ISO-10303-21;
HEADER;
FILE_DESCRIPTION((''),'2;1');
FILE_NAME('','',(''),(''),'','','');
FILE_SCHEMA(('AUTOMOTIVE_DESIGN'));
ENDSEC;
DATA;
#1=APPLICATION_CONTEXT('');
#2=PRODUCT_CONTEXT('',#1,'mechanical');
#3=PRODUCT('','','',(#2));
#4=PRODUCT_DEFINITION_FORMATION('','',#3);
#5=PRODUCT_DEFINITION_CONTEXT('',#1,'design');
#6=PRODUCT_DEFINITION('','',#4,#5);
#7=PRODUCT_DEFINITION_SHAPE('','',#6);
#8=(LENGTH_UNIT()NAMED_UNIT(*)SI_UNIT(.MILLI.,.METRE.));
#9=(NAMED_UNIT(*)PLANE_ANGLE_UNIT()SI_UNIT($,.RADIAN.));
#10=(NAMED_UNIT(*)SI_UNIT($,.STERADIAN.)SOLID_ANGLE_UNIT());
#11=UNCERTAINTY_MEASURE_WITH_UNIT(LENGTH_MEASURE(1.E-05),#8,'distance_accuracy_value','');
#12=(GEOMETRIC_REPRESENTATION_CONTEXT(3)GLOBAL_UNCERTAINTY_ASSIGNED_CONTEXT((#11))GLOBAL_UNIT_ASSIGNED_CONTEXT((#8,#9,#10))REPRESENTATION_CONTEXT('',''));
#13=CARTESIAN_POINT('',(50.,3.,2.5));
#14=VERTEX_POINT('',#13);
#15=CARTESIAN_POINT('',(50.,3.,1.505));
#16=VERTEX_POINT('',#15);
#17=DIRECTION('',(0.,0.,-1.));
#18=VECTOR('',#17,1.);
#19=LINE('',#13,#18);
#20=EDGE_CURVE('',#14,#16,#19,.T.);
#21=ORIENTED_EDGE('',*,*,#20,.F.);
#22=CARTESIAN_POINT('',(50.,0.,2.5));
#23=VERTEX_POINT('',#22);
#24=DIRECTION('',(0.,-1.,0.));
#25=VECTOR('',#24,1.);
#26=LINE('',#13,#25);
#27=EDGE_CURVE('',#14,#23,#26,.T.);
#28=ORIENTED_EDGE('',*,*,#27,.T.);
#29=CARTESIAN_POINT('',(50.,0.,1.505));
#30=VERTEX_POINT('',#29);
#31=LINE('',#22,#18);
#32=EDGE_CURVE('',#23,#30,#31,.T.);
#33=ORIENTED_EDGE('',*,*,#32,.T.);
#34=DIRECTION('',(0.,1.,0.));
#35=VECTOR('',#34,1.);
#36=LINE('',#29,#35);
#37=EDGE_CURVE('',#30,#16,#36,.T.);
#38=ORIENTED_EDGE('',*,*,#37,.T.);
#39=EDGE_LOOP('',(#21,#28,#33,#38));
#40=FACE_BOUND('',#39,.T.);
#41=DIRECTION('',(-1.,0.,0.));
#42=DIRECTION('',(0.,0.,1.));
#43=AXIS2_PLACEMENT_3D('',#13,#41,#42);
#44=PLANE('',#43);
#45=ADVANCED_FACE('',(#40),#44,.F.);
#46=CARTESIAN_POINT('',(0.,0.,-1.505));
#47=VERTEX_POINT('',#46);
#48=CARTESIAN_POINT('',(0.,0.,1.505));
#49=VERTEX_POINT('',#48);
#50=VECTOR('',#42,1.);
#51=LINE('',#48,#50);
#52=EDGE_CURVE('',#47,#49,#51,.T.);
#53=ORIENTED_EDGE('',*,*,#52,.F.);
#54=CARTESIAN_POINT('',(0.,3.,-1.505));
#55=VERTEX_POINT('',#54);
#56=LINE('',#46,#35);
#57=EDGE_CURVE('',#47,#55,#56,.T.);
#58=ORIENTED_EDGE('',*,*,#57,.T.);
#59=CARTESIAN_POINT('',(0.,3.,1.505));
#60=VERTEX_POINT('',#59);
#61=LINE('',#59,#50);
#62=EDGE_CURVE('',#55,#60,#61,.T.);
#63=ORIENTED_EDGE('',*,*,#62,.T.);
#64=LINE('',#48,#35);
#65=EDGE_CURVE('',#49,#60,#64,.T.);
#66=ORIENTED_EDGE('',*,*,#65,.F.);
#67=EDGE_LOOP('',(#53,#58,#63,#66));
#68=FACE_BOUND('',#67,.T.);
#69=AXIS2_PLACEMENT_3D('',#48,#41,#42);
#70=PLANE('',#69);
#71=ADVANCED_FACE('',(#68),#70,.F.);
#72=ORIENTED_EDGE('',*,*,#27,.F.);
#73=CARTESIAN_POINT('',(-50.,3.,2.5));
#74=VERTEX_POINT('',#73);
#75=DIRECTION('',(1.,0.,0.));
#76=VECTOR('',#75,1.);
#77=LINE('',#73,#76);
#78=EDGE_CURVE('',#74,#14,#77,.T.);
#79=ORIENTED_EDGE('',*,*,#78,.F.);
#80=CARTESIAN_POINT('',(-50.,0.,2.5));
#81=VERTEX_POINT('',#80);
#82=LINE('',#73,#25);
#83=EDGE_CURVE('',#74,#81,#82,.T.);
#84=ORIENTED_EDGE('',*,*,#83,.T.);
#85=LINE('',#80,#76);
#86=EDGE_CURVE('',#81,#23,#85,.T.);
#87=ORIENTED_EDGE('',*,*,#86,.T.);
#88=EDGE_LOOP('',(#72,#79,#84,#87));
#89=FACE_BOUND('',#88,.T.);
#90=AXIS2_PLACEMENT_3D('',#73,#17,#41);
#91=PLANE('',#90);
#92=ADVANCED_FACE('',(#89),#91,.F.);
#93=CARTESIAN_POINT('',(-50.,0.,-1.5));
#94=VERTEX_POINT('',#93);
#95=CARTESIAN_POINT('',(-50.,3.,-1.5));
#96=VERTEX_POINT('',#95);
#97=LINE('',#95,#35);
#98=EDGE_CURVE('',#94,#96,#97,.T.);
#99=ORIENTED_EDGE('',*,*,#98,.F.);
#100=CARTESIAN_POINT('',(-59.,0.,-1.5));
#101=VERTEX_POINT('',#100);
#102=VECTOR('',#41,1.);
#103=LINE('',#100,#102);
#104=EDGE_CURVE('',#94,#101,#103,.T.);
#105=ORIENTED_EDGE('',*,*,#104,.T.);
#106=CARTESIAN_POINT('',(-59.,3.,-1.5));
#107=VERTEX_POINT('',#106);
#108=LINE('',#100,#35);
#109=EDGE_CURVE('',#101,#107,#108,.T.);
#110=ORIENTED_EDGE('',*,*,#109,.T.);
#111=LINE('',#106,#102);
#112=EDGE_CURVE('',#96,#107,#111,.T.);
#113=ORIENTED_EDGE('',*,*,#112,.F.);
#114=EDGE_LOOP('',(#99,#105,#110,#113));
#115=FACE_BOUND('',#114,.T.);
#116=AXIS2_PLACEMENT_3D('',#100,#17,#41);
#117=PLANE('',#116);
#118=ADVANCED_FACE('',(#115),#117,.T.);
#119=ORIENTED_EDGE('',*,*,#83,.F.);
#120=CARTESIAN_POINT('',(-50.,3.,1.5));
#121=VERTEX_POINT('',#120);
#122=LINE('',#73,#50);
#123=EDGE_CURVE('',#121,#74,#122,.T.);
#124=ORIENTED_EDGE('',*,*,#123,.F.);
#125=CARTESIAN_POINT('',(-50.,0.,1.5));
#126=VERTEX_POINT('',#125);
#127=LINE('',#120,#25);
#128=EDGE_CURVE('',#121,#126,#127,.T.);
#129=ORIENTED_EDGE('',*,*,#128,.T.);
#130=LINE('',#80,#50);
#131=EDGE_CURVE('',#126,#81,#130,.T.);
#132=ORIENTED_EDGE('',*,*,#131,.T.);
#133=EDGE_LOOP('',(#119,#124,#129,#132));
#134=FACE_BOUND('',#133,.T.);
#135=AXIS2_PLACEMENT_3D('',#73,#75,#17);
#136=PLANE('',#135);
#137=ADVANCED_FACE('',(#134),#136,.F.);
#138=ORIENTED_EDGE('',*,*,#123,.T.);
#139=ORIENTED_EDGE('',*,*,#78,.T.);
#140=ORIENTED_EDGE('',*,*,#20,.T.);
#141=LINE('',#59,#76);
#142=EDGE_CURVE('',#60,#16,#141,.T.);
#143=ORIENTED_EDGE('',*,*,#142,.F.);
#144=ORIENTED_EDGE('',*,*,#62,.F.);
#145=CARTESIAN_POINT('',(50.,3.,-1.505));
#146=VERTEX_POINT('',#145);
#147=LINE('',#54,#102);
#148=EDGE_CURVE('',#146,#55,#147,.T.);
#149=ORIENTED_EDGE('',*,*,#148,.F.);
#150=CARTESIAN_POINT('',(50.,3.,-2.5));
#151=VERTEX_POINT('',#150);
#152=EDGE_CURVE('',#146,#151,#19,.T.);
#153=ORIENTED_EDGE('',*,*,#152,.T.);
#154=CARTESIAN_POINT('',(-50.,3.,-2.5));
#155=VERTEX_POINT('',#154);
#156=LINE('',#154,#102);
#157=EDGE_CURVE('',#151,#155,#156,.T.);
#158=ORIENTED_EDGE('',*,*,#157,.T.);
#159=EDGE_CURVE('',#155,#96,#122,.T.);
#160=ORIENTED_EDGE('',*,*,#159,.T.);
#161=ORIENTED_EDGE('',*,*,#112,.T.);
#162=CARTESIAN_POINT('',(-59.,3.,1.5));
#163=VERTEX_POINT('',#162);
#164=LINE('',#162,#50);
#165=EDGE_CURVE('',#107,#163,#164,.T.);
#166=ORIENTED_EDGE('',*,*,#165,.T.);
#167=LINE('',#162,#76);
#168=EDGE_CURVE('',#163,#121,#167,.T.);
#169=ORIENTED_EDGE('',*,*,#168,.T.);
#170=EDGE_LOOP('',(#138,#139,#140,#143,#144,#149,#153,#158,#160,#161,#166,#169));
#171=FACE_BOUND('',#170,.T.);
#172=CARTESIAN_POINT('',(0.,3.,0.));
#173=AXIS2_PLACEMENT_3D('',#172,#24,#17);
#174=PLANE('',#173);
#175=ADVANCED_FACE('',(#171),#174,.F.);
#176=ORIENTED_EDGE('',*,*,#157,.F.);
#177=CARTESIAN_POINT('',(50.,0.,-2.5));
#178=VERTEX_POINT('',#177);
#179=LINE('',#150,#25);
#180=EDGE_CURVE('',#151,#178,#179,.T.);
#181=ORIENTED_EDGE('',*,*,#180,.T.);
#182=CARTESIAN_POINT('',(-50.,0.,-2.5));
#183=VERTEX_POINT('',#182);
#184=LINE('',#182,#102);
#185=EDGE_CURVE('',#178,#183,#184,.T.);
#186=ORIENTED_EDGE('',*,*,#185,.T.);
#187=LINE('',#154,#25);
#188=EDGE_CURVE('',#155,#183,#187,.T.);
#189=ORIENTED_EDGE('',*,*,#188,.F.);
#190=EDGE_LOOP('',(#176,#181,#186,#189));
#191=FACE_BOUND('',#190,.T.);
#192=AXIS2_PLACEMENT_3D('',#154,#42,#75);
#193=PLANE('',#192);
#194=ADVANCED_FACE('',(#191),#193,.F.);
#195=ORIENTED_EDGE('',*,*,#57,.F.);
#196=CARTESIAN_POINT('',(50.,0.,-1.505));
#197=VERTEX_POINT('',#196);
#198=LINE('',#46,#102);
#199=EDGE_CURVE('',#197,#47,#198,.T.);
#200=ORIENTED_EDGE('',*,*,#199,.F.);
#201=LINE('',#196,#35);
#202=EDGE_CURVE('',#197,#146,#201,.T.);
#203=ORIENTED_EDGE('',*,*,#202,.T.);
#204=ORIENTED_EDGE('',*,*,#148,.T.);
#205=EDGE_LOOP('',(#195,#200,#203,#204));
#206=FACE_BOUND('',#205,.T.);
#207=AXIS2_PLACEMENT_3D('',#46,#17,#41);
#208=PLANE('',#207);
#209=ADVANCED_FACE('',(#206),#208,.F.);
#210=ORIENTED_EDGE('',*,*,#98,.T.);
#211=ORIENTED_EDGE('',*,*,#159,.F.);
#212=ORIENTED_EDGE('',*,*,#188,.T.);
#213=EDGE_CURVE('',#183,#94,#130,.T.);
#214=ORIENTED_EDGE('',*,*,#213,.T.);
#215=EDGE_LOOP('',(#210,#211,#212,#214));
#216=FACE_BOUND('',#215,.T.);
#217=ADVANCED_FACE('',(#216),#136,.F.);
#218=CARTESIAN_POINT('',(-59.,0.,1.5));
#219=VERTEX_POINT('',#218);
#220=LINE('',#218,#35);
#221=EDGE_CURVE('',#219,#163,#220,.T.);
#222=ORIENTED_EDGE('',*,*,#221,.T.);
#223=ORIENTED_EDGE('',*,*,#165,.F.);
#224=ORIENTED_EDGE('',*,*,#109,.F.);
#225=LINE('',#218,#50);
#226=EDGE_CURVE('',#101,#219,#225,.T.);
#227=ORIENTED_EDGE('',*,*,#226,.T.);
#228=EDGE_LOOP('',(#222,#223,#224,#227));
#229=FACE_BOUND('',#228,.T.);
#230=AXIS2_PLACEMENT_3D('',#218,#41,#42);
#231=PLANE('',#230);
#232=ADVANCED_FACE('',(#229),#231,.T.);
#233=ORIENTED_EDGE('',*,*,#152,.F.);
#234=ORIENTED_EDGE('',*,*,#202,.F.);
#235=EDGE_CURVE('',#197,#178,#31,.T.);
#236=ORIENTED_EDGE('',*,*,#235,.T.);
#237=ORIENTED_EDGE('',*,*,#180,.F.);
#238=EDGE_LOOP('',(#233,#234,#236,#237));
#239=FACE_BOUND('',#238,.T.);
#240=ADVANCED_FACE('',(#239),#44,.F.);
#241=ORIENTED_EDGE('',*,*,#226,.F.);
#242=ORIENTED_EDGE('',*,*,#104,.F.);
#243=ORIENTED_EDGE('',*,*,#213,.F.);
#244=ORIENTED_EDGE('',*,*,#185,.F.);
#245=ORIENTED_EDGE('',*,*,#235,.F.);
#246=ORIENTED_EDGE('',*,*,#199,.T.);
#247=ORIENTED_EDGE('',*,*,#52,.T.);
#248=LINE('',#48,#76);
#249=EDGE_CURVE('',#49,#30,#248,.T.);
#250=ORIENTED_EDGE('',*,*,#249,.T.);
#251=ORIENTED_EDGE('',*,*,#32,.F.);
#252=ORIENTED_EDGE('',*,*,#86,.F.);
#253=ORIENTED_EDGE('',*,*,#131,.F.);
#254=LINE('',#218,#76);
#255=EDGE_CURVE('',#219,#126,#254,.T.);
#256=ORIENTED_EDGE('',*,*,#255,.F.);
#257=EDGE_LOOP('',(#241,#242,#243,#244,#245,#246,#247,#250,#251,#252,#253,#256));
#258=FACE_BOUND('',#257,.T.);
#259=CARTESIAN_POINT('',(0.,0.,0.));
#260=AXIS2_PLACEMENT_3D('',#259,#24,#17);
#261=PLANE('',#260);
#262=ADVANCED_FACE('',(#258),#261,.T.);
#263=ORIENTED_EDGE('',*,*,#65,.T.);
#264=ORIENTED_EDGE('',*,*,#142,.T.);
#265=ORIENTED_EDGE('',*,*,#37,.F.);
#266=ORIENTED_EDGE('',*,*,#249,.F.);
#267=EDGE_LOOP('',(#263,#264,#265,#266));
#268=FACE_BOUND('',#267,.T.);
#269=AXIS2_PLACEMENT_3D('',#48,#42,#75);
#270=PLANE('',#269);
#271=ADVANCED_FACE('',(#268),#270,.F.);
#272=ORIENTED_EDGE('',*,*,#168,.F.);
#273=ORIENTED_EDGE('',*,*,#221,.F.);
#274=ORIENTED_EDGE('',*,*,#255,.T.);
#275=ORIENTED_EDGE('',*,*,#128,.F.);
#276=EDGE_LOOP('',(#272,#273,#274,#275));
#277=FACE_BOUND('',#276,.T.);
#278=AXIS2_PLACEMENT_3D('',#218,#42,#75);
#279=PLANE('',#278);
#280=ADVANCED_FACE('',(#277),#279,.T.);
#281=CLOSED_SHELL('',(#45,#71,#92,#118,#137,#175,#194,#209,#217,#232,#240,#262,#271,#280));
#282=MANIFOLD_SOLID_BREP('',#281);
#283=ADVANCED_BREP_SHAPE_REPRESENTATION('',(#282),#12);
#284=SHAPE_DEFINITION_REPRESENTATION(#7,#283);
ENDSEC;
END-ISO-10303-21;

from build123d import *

# Parameters (mm, degrees)
SKETCH1_W           = 100
SKETCH1_H           = 5
BOSS_EXTRUDE1_DEPTH = 3
SKETCH2_W           = 50
SKETCH2_H           = 3.01
CUT_EXTRUDE1_DEPTH  = 3
SKETCH3_W           = 18
SKETCH3_H           = 3
BOSS_EXTRUDE2_DEPTH = 3


with BuildPart() as part:
    # Sketch1 → Boss-Extrude1 (new body)
    with BuildSketch(Plane(origin=(0, 0, 0), x_dir=(1, 0, 0), z_dir=(0, 1, 0))):
        Rectangle(SKETCH1_W, SKETCH1_H)
    extrude(amount=BOSS_EXTRUDE1_DEPTH)

    # Sketch2 → Cut-Extrude1 (cut)
    with BuildSketch(Plane(origin=(0, 3, 0), x_dir=(1, 0, 0), z_dir=(0, 1, 0))):
        with Locations((25, 0)):
            Rectangle(SKETCH2_W, SKETCH2_H)
    extrude(amount=-CUT_EXTRUDE1_DEPTH, mode=Mode.SUBTRACT)

    # Sketch3 → Boss-Extrude2 (add)
    with BuildSketch(Plane(origin=(0, 3, 0), x_dir=(1, 0, 0), z_dir=(0, 1, 0))):
        with Locations((-50, 0)):
            Rectangle(SKETCH3_W, SKETCH3_H)
    extrude(amount=-BOSS_EXTRUDE2_DEPTH)


solid = part.part
